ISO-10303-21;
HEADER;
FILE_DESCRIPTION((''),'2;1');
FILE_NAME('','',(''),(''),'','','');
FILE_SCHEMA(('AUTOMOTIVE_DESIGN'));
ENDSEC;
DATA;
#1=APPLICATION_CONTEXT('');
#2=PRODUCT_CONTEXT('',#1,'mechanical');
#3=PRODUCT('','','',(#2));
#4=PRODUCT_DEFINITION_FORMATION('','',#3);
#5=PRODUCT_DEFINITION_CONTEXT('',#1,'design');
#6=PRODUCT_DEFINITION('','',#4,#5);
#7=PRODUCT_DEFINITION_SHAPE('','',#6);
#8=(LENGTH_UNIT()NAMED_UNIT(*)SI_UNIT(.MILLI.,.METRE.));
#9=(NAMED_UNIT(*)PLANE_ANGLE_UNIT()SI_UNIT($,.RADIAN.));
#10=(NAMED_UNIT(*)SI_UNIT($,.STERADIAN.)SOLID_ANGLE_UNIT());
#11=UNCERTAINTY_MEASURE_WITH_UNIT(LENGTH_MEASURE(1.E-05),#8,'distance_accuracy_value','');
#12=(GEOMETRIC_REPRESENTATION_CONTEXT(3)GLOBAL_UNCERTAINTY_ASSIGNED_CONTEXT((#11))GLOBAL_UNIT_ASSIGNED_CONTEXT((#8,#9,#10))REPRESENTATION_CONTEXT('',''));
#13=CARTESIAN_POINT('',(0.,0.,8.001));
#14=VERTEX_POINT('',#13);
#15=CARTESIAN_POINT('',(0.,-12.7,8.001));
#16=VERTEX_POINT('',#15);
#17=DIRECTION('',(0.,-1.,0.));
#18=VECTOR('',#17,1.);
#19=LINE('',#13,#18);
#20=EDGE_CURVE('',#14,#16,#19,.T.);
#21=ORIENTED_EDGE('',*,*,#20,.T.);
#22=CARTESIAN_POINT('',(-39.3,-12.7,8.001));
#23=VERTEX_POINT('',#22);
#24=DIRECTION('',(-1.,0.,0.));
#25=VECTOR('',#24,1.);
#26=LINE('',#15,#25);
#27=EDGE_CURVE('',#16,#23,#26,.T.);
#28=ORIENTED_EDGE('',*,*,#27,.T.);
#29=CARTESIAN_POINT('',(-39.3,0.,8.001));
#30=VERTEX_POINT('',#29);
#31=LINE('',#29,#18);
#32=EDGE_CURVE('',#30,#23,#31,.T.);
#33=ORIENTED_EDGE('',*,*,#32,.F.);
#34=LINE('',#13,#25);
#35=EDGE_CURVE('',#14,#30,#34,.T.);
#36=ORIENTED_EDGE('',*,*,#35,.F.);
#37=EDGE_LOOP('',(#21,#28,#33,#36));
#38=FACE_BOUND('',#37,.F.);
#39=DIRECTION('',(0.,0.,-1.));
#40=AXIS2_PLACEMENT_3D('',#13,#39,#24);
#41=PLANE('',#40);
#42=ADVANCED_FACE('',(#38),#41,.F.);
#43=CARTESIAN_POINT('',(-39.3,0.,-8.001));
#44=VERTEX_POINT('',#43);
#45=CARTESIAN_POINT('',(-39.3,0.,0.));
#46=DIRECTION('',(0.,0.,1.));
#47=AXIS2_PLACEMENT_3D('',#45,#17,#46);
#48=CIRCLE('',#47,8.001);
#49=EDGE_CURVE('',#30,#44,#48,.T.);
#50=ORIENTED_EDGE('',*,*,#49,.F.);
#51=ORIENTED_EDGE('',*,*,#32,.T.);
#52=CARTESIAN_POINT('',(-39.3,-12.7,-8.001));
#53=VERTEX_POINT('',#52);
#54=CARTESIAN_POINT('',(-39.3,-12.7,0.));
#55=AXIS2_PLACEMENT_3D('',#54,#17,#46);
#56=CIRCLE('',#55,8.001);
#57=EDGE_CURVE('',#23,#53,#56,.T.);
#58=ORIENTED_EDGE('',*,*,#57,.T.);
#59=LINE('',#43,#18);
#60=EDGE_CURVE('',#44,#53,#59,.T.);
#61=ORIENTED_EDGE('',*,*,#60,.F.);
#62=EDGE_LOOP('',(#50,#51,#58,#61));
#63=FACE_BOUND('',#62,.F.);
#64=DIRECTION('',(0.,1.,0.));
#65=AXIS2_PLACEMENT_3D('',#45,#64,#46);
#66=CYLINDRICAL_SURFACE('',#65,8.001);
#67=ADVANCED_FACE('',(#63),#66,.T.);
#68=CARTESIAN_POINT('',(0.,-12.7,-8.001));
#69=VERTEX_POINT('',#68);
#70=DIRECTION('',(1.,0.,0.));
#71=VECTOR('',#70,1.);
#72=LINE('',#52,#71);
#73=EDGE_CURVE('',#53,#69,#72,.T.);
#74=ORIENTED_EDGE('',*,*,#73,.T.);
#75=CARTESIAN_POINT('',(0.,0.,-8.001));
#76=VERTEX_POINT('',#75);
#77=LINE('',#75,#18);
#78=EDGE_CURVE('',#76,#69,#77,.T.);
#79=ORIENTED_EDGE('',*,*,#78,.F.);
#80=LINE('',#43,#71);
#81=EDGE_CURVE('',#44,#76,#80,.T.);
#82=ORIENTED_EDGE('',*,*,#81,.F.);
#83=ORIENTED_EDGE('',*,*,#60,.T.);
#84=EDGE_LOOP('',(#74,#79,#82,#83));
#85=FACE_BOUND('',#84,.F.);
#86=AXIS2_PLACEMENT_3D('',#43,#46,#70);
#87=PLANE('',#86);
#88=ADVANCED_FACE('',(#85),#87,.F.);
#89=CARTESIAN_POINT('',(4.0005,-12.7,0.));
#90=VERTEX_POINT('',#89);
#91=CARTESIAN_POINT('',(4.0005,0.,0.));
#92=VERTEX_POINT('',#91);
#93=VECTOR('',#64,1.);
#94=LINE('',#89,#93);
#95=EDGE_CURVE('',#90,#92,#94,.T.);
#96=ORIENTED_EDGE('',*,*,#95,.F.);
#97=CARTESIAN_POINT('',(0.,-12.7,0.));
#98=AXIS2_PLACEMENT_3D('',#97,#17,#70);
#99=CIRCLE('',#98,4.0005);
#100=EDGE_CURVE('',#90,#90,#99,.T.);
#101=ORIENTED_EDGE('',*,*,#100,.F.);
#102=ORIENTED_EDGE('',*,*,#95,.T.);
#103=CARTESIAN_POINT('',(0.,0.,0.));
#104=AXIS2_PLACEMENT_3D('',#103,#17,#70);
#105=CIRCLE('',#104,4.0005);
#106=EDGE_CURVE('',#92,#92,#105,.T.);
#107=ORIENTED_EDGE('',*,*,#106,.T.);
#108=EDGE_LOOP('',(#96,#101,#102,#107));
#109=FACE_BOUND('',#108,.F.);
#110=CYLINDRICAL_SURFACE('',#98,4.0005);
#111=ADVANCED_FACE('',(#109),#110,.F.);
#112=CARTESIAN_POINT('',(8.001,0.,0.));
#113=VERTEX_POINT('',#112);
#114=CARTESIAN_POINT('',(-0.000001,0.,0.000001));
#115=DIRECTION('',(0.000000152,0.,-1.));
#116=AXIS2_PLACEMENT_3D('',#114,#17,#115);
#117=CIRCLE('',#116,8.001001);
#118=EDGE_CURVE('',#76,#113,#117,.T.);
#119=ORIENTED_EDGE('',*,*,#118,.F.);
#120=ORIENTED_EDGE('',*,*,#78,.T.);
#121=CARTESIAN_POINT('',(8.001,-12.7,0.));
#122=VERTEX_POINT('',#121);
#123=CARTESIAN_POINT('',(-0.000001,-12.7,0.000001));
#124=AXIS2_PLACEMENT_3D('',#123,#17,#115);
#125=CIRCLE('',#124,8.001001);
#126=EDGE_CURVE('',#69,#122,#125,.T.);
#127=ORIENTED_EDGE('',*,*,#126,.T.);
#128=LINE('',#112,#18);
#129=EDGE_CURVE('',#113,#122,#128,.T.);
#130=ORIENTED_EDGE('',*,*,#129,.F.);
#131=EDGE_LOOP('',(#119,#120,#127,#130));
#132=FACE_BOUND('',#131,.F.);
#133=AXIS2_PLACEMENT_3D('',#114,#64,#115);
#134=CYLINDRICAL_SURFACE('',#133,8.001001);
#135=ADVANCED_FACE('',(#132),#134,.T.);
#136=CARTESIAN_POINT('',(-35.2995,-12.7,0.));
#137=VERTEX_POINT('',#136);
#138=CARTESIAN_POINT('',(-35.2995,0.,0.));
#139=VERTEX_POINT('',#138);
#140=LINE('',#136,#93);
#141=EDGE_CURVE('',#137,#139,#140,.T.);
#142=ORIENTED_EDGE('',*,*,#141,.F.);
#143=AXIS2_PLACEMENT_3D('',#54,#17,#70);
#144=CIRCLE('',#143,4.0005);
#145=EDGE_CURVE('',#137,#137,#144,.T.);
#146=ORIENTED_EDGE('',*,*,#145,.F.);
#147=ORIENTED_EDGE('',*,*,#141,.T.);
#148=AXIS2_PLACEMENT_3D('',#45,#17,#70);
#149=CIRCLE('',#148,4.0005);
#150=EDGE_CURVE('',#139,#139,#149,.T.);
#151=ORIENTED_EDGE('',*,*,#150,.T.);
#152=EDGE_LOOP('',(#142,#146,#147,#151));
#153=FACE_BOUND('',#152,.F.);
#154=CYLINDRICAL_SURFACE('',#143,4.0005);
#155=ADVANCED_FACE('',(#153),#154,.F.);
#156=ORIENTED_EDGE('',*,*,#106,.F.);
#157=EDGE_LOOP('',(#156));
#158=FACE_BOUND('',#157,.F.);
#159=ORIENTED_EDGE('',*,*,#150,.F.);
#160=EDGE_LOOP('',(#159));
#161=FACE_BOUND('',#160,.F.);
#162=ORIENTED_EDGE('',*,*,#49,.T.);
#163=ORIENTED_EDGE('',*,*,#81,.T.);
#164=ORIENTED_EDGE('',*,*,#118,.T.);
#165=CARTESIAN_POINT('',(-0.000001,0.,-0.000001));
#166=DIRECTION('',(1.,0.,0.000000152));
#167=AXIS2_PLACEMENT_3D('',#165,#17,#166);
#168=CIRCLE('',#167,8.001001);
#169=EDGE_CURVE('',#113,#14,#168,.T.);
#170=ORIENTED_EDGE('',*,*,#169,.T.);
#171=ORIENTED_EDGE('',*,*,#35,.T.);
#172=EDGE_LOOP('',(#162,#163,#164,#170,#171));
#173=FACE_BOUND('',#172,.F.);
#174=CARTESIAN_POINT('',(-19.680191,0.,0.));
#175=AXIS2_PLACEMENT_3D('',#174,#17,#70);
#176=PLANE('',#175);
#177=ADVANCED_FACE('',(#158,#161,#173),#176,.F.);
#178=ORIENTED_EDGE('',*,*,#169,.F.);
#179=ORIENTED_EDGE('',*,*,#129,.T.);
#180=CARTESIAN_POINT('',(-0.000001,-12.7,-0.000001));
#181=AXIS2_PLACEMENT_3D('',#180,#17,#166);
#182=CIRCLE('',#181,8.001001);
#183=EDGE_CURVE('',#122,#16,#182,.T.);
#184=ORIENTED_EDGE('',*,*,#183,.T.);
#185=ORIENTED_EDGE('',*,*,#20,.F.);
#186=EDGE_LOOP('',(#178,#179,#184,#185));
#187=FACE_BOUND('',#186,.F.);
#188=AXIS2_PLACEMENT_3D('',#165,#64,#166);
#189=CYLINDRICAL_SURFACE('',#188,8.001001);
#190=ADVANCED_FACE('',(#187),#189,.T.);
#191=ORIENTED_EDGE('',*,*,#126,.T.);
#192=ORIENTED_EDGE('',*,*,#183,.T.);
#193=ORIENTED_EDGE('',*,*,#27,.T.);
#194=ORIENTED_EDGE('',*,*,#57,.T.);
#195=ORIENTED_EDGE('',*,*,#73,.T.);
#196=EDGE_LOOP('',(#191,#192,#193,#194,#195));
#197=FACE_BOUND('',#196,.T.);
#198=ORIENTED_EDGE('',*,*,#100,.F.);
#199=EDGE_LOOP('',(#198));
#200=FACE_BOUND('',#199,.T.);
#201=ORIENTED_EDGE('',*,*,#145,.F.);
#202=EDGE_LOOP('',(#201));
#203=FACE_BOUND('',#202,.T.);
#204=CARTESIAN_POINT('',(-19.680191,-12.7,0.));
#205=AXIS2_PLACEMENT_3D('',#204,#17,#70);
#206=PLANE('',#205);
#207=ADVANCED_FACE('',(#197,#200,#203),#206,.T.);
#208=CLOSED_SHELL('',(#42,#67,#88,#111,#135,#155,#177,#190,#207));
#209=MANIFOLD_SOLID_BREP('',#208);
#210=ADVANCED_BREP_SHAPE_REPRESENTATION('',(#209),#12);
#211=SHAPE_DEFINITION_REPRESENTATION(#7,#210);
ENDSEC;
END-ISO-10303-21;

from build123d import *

# Parameters (mm, degrees)
F1_DEPTH = 12.7
F2_R     = 4.0005
F3_DEPTH = 12.7


with BuildPart() as f1:
    # F0 (on Front) → F1 (new body)
    with BuildSketch(Plane.XZ):
        with BuildLine():
            ThreePointArc((-39.3, 8.001), (-33.642439, 5.657561), (-31.299, 0))
            ThreePointArc((-31.299, 0), (-33.642439, -5.657561), (-39.3, -8.001))
            Line((-39.3, -8.001), (0, -8.001))
            ThreePointArc((0, -8.001), (-8.001, 0), (0, 8.001))
            Line((0, 8.001), (-39.3, 8.001))
        make_face()
        with BuildLine():
            ThreePointArc((-39.3, -8.001), (-33.642439, -5.657561), (-31.299, 0))
            ThreePointArc((-31.299, 0), (-33.642439, 5.657561), (-39.3, 8.001))
            ThreePointArc((-39.3, 8.001), (-47.301, 0), (-39.3, -8.001))
        make_face()
        with BuildLine():
            ThreePointArc((8.001, 0), (5.657561, 5.657561), (0, 8.001))
            ThreePointArc((0, 8.001), (-8.001, 0), (0, -8.001))
            ThreePointArc((0, -8.001), (5.657561, -5.657561), (8.001, 0))
        make_face()
    extrude(amount=F1_DEPTH)

    # F2 (on face) → F3 (cut)
    with BuildSketch(Plane.XZ.offset(12.7)):
        with Locations((-39.3, 0)):
            Circle(F2_R)
        Circle(F2_R)
    extrude(amount=-F3_DEPTH, mode=Mode.SUBTRACT)


solid = f1.part
